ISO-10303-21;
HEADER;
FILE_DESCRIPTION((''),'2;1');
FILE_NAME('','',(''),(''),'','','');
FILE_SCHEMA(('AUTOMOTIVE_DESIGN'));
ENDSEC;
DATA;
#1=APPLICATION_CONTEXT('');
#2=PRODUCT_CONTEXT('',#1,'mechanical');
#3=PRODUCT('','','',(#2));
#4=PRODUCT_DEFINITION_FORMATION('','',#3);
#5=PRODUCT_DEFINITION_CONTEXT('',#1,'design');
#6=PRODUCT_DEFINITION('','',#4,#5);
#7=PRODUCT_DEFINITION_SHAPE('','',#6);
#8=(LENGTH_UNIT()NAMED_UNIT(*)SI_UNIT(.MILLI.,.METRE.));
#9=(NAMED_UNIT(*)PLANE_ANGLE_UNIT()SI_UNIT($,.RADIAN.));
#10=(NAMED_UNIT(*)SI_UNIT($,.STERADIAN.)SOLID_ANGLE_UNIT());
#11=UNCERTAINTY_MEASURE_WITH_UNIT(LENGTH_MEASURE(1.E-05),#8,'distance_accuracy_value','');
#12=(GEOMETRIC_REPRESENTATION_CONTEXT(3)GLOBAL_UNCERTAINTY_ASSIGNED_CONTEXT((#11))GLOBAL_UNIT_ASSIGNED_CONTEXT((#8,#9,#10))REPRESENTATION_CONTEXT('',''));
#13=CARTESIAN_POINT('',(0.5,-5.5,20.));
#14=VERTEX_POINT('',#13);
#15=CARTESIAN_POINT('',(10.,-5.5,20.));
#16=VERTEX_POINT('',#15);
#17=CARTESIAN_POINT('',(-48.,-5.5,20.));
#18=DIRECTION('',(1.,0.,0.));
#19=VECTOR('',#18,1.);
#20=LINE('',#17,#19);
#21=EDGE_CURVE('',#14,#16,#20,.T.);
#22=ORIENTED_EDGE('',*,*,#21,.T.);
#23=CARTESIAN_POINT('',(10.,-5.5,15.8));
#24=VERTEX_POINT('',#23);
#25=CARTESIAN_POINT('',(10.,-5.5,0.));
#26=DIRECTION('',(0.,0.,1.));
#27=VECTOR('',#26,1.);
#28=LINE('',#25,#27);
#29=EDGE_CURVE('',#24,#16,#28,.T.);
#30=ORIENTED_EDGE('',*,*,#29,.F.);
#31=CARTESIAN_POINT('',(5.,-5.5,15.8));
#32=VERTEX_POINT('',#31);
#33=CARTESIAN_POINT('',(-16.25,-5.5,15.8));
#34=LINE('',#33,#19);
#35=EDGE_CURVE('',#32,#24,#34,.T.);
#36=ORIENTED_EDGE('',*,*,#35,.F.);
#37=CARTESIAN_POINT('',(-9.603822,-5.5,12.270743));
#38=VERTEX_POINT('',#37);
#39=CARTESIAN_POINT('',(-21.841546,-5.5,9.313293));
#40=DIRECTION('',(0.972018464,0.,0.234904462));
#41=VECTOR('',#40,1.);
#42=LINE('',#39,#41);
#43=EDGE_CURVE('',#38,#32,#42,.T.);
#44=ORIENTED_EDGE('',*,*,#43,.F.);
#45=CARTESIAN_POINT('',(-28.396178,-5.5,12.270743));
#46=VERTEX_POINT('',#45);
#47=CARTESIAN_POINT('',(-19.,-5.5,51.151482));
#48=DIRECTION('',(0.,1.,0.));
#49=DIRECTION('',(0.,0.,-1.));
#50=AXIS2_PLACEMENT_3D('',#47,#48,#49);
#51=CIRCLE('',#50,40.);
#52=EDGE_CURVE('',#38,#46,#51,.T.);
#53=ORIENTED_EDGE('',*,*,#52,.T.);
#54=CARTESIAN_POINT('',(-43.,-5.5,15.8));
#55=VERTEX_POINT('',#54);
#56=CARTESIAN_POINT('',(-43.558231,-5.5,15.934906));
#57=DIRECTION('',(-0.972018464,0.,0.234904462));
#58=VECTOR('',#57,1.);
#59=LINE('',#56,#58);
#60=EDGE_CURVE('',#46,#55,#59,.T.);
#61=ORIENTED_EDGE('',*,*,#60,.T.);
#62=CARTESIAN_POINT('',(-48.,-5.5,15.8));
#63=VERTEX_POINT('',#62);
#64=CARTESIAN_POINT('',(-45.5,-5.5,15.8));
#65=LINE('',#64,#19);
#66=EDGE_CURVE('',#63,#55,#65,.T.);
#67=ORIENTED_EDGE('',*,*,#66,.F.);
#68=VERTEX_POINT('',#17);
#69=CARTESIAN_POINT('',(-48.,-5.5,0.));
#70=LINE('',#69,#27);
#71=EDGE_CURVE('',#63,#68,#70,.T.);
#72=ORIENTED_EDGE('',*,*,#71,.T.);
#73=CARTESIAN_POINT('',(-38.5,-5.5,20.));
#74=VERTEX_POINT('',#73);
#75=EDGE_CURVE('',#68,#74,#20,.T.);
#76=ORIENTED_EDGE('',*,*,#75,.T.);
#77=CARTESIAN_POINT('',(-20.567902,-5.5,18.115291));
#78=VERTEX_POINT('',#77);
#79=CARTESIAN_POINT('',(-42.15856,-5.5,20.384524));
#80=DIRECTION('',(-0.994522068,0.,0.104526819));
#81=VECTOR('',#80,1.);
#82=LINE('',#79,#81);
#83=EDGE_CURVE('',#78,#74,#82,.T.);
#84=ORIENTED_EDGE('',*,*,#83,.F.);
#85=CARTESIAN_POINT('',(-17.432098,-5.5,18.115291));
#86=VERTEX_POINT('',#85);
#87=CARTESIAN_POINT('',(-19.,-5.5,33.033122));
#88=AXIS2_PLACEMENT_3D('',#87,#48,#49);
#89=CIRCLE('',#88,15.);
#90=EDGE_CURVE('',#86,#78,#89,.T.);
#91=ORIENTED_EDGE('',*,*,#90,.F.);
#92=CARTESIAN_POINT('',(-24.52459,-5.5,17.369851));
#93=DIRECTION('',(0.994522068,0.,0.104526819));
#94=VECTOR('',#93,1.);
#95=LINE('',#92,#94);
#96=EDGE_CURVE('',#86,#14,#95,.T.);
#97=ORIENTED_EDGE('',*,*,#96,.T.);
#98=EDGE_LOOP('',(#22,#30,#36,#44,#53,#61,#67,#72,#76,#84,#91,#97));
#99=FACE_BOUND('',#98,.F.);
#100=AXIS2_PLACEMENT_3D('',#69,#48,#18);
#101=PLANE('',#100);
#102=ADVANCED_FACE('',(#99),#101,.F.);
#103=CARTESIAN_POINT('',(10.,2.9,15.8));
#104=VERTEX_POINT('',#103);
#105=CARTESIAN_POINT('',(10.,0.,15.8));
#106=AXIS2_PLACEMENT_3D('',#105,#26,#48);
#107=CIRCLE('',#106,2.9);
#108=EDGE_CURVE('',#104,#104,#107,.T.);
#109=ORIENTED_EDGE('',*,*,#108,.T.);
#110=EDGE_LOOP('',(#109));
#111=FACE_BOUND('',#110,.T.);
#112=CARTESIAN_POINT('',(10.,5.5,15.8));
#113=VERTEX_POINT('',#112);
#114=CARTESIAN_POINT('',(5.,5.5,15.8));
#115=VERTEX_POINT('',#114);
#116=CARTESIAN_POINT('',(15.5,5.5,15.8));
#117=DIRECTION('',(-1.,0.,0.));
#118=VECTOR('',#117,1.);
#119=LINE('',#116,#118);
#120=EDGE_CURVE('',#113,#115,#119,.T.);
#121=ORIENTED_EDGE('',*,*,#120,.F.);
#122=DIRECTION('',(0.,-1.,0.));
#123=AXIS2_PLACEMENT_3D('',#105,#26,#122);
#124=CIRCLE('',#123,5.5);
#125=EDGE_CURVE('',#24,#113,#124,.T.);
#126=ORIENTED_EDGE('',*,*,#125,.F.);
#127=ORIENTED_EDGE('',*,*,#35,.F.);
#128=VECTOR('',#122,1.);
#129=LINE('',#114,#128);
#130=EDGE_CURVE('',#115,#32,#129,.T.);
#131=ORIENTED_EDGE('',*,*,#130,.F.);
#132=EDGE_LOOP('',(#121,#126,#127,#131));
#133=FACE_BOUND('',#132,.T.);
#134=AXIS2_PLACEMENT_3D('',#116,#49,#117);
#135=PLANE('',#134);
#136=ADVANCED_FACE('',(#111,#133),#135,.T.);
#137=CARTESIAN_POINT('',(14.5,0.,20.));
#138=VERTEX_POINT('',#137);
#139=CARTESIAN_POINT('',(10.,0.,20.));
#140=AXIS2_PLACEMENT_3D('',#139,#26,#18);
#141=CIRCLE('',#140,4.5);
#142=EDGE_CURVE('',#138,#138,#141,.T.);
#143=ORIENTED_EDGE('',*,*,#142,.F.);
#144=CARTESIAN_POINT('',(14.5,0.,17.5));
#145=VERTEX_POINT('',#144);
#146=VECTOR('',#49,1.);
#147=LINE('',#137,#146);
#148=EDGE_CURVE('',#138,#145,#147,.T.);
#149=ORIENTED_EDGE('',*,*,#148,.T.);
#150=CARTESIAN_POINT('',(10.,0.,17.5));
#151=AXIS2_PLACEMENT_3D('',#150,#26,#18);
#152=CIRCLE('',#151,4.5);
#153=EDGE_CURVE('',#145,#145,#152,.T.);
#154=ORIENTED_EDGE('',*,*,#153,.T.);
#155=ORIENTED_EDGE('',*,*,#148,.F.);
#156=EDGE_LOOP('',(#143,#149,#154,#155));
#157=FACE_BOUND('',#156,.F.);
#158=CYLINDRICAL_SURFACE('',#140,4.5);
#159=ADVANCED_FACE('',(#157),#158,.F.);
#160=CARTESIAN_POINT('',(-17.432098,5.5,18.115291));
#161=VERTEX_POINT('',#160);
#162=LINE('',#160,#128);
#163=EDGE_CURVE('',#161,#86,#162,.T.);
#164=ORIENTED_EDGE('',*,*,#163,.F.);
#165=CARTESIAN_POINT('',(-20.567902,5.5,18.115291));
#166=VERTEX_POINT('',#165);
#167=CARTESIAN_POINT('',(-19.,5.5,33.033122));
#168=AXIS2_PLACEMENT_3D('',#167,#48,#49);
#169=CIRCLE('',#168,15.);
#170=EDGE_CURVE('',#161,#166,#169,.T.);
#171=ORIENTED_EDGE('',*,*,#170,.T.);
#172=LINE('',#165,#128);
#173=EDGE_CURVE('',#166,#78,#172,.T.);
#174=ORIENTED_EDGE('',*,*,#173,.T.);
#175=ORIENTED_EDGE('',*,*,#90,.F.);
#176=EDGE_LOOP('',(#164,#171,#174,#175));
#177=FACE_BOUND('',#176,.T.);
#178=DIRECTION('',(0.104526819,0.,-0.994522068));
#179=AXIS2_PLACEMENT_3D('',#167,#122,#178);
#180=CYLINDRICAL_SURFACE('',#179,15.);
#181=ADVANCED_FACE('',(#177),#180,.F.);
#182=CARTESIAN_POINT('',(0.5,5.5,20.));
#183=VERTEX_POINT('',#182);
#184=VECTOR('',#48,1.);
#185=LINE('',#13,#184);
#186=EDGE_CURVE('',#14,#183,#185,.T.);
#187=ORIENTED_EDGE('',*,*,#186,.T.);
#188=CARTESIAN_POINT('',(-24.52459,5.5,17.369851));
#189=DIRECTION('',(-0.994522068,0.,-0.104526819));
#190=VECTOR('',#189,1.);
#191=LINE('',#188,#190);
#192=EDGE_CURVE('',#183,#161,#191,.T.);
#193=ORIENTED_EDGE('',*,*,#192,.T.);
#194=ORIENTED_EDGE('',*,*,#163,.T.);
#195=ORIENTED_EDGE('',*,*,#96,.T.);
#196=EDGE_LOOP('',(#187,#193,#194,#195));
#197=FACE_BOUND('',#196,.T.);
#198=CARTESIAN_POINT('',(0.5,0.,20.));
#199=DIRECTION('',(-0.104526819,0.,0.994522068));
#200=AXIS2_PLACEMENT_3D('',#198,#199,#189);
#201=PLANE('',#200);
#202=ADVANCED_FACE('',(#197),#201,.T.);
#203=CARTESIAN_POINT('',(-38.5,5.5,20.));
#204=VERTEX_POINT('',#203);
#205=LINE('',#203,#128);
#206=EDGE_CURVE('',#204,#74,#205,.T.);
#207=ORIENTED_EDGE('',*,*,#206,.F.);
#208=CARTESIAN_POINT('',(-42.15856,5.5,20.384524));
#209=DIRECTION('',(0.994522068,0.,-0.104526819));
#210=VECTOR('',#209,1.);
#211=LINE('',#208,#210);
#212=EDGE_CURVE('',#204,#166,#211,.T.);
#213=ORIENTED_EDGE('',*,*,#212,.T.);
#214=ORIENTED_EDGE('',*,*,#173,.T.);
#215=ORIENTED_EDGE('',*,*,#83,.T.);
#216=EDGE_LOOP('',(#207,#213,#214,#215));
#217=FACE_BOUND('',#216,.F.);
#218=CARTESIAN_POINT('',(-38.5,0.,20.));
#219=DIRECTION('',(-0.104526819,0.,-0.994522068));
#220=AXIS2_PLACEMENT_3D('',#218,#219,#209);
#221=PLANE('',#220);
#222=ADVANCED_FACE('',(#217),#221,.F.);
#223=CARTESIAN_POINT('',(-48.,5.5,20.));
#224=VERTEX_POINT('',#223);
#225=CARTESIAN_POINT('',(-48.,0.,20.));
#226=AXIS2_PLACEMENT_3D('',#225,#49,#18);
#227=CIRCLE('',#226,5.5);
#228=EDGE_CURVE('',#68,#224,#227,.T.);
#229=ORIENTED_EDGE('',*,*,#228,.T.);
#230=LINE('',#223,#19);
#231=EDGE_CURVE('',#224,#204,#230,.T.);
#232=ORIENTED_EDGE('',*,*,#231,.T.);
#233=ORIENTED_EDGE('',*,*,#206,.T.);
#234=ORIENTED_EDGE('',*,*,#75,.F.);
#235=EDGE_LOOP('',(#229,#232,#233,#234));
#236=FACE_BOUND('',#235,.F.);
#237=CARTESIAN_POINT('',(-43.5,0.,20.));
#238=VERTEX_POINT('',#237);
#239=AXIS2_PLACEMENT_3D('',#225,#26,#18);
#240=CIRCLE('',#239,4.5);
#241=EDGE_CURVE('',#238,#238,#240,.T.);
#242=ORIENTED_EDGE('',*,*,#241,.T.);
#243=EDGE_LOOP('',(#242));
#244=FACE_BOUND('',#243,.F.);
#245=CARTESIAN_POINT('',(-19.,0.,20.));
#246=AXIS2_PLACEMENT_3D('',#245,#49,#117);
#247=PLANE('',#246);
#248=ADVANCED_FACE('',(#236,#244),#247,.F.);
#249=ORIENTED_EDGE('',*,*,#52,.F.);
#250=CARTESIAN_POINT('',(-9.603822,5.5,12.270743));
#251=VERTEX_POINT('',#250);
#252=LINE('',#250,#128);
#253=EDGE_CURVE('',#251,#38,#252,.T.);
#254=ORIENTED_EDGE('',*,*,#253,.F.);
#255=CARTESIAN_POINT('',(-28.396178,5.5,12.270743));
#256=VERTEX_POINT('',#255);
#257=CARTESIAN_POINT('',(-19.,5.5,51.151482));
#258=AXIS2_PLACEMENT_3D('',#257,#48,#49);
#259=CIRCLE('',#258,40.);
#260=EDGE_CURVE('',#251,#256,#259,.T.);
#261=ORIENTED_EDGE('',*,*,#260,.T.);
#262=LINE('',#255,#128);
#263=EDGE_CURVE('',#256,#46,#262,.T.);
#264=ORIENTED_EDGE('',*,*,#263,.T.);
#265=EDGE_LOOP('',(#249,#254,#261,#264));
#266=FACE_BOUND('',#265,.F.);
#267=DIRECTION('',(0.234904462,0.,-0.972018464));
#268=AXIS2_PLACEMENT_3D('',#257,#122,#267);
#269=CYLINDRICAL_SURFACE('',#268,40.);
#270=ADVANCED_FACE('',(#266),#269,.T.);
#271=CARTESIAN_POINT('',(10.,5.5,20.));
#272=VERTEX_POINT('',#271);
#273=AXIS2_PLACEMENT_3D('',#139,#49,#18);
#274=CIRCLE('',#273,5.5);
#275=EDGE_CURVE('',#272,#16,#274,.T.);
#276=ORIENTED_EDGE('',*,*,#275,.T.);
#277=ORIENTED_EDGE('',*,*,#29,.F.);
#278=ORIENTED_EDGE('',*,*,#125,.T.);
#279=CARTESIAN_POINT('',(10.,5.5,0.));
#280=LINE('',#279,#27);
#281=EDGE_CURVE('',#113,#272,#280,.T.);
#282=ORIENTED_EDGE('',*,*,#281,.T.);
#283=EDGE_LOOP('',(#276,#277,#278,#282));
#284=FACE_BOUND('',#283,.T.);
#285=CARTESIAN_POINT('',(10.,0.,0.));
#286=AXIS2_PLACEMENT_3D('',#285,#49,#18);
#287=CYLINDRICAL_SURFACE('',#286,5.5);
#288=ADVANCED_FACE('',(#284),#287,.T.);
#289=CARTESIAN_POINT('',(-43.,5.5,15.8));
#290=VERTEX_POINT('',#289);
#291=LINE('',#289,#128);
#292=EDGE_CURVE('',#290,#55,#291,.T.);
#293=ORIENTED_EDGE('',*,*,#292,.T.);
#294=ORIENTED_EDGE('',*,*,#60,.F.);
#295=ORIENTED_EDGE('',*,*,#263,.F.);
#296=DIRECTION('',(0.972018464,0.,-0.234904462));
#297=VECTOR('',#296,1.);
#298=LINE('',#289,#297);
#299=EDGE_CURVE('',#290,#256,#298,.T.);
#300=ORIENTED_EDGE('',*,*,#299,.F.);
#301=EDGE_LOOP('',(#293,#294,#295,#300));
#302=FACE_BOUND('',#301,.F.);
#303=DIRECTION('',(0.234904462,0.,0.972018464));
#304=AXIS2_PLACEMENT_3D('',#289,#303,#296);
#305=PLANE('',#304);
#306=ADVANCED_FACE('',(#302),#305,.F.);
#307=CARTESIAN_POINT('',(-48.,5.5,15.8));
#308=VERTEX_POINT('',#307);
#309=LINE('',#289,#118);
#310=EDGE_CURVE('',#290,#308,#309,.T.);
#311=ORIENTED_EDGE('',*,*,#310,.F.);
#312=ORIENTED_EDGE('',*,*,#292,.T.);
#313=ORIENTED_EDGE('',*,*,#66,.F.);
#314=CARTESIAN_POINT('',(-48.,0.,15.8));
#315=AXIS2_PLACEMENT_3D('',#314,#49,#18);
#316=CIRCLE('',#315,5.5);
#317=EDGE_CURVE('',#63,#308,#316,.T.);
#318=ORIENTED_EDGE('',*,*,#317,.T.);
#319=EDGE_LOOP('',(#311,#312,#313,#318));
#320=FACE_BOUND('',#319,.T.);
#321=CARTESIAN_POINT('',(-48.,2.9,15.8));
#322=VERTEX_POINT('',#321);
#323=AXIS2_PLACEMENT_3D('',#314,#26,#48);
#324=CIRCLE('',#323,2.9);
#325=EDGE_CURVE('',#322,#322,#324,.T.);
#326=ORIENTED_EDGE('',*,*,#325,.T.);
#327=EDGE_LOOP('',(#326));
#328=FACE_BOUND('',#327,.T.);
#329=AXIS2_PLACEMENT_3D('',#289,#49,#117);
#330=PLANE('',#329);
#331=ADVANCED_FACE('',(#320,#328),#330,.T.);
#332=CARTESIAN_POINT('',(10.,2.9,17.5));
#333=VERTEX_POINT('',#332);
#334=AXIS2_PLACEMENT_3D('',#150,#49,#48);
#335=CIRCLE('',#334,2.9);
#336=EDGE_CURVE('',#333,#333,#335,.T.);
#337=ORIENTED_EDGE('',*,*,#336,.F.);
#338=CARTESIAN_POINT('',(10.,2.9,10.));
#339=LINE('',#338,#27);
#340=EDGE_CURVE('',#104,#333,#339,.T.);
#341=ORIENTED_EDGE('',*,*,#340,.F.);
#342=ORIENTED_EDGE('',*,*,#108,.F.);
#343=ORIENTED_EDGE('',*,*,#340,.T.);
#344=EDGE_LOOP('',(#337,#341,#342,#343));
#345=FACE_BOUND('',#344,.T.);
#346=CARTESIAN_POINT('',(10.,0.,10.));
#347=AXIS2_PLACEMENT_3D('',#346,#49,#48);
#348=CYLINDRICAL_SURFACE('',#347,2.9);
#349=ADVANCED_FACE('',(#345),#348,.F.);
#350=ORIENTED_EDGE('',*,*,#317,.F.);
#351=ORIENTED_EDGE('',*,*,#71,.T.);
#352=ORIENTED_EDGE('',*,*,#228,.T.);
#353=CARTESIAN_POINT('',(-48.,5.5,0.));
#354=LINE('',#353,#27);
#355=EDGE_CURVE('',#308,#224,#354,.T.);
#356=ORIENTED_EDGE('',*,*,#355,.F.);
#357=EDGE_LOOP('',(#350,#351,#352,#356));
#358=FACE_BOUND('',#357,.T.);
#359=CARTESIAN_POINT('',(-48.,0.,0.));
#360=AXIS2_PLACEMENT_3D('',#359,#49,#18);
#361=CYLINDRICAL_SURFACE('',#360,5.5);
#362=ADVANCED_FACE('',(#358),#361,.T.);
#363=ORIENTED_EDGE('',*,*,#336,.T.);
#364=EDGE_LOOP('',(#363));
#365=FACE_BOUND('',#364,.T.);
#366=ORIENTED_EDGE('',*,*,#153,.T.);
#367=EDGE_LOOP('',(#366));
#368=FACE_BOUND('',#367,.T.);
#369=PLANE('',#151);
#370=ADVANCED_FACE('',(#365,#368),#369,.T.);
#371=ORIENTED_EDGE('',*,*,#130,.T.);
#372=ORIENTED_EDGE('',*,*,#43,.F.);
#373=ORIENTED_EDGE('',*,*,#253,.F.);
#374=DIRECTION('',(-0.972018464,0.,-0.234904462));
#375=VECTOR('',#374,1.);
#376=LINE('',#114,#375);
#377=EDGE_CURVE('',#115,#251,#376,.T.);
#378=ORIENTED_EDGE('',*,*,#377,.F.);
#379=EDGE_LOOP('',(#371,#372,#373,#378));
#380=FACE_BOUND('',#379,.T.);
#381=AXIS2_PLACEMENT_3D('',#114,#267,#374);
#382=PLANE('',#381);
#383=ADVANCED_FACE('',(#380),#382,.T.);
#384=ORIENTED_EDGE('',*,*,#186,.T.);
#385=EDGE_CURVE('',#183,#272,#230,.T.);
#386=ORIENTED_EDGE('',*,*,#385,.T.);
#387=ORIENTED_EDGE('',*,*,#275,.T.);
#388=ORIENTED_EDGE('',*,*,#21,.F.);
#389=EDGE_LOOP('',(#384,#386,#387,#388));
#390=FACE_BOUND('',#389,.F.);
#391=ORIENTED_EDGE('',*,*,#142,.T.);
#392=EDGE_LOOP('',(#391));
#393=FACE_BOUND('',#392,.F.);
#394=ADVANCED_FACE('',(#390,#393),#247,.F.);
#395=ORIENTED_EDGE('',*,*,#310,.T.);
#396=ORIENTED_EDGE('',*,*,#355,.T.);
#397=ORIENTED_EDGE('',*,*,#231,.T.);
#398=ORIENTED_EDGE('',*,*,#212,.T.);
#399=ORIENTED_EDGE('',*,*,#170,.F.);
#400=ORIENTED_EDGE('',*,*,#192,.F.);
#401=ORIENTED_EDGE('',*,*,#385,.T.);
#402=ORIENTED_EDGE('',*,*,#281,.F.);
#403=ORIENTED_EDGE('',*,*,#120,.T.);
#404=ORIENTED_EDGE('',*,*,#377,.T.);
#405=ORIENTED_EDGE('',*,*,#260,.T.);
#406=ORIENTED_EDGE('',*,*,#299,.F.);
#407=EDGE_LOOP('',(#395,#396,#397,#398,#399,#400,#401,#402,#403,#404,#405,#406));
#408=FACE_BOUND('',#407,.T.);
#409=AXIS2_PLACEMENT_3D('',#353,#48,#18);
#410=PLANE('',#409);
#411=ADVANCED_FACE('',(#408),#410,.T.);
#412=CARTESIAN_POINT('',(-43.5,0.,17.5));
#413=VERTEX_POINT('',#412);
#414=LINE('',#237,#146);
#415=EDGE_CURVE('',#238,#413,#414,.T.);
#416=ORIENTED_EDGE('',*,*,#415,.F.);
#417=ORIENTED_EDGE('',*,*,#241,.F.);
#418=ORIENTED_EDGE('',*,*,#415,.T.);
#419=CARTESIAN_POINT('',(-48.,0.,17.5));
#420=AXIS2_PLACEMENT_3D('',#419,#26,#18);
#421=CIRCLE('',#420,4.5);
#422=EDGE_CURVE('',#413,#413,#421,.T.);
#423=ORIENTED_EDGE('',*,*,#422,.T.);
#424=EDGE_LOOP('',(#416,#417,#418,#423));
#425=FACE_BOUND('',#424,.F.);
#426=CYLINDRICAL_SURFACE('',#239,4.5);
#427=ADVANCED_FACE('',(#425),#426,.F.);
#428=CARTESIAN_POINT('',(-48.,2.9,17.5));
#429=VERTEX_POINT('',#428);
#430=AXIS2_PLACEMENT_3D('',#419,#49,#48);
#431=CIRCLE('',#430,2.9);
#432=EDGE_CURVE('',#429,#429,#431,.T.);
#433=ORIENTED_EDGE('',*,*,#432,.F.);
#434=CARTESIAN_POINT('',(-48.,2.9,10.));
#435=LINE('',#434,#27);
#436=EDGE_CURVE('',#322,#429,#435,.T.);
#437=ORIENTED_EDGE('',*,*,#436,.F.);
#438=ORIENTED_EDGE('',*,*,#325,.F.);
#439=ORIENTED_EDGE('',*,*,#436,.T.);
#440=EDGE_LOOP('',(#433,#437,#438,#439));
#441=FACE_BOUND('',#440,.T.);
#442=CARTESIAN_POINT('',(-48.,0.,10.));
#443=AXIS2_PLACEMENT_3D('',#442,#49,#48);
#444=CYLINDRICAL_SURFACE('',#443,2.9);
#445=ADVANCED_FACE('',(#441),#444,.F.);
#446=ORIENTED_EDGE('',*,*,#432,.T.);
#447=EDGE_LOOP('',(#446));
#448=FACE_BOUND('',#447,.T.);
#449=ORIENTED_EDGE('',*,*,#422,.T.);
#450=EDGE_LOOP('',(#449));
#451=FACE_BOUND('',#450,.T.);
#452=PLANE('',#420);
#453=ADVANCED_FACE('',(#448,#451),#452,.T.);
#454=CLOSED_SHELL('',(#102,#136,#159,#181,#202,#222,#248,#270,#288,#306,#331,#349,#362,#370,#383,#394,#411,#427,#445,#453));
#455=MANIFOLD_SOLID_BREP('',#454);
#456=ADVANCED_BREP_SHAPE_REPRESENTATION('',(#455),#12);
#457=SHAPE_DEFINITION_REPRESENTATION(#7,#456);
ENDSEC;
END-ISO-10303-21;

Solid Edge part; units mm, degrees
sketch "Sketch1" plane through (0, 0, 0) normal (0, 0, 1) x (1, 0, 0)
  line L0 (-48, 5.5) -> (10, 5.5)
  line L1 (-48, -5.5) -> (10, -5.5)
  arc A0 (-48, -5.5) -> (-48, 5.5) centre (-48, 0) cw
  arc A1 (10, 5.5) -> (10, -5.5) centre (10, 0) cw
extrude "Protrusion1" add sketch "Sketch1" along normal blind 20
sketch "Sketch2" plane through (0, 0, 20) normal (0, 0, 1) x (1, 0, 0)
  circle A0 centre (-48, 0) radius 4.5
  dimension "D1" = 9
extrude "Extrusionsausschnitt_1" cut sketch "Sketch2" against normal blind 2.5
sketch "Sketch3" plane through (0, 0, 20) normal (0, 0, 1) x (1, 0, 0)
  circle A0 centre (10, 0) radius 4.5
extrude "Extrusionsausschnitt_2" cut sketch "Sketch3" against normal blind 2.5
sketch "Sketch4" plane through (0, 0, 0) normal (0, -1, 0) x (1, 0, 0)
  line L0 (-38.5, 20) -> (-19, 17.9505)
  line L1 (0.5, 20) -> (-19, 17.9505)
  dimension "D1" = 15
  dimension "D2" = 15
extrude "Cutout1" cut sketch "Sketch4" along normal up to next and the other way up to next material side at (-28.7448, 0, 19.025)
sketch "Sketch5" plane through (0, 0, 0) normal (0, -1, 0) x (1, 0, 0)
  line L0 (59.3337, 10) -> (65.9133, -0.3822)
  line L1 (-60.6663, 10) -> (59.3337, 10)
  line L2 (-60.6663, 10) -> (-66.4669, -5.8923)
  dimension "D1" = 10
  dimension "D2" = 120
extrude "Cutout2" cut sketch "Sketch5" along normal up to next and the other way up to next material side at (62.5813, 0, 4.7821)
hole "Bohrung_1" at (-48, 0, 10) direction (0, 0, 1) diameter 5.8 end up to next counterbore diameter 10 counterbore depth 5.8
hole "Hole1" at (10, 0, 10) direction (0, 0, 1) diameter 5.8 end up to next counterbore diameter 10 counterbore depth 5.8
sketch "Sketch6" plane through (0, 5.5, 15) normal (0, 1, 0) x (1, 0, 0)
  line L0 (5, -0.8) -> (-19, 5)
  line L1 (15.5, -0.8) -> (5, -0.8)
  line L2 (43.1446, 3.1504) -> (15.5, -0.8)
  line L3 (11.6347, 27.0505) -> (43.1446, 3.1504)
  line L4 (-73.2169, -0.8) -> (11.6347, 27.0505)
  line L5 (-43, -0.8) -> (-73.2169, -0.8)
  line L6 (-43, -0.8) -> (-19, 5)
  dimension "D1" = 10.5
  dimension "D2" = 10.5
  dimension "D3" = 24.6909
  dimension "D4" = 24.6909
extrude "Cutout3" cut sketch "Sketch6" against normal up to next
fillet "Verrundung_2" radius 40 1 edges at (-19, 0, 10)
fillet "Verrundung_3" radius 15 1 edges at (-19, 0, 17.9505)
properties part number "25" material "Polykarbonat"
